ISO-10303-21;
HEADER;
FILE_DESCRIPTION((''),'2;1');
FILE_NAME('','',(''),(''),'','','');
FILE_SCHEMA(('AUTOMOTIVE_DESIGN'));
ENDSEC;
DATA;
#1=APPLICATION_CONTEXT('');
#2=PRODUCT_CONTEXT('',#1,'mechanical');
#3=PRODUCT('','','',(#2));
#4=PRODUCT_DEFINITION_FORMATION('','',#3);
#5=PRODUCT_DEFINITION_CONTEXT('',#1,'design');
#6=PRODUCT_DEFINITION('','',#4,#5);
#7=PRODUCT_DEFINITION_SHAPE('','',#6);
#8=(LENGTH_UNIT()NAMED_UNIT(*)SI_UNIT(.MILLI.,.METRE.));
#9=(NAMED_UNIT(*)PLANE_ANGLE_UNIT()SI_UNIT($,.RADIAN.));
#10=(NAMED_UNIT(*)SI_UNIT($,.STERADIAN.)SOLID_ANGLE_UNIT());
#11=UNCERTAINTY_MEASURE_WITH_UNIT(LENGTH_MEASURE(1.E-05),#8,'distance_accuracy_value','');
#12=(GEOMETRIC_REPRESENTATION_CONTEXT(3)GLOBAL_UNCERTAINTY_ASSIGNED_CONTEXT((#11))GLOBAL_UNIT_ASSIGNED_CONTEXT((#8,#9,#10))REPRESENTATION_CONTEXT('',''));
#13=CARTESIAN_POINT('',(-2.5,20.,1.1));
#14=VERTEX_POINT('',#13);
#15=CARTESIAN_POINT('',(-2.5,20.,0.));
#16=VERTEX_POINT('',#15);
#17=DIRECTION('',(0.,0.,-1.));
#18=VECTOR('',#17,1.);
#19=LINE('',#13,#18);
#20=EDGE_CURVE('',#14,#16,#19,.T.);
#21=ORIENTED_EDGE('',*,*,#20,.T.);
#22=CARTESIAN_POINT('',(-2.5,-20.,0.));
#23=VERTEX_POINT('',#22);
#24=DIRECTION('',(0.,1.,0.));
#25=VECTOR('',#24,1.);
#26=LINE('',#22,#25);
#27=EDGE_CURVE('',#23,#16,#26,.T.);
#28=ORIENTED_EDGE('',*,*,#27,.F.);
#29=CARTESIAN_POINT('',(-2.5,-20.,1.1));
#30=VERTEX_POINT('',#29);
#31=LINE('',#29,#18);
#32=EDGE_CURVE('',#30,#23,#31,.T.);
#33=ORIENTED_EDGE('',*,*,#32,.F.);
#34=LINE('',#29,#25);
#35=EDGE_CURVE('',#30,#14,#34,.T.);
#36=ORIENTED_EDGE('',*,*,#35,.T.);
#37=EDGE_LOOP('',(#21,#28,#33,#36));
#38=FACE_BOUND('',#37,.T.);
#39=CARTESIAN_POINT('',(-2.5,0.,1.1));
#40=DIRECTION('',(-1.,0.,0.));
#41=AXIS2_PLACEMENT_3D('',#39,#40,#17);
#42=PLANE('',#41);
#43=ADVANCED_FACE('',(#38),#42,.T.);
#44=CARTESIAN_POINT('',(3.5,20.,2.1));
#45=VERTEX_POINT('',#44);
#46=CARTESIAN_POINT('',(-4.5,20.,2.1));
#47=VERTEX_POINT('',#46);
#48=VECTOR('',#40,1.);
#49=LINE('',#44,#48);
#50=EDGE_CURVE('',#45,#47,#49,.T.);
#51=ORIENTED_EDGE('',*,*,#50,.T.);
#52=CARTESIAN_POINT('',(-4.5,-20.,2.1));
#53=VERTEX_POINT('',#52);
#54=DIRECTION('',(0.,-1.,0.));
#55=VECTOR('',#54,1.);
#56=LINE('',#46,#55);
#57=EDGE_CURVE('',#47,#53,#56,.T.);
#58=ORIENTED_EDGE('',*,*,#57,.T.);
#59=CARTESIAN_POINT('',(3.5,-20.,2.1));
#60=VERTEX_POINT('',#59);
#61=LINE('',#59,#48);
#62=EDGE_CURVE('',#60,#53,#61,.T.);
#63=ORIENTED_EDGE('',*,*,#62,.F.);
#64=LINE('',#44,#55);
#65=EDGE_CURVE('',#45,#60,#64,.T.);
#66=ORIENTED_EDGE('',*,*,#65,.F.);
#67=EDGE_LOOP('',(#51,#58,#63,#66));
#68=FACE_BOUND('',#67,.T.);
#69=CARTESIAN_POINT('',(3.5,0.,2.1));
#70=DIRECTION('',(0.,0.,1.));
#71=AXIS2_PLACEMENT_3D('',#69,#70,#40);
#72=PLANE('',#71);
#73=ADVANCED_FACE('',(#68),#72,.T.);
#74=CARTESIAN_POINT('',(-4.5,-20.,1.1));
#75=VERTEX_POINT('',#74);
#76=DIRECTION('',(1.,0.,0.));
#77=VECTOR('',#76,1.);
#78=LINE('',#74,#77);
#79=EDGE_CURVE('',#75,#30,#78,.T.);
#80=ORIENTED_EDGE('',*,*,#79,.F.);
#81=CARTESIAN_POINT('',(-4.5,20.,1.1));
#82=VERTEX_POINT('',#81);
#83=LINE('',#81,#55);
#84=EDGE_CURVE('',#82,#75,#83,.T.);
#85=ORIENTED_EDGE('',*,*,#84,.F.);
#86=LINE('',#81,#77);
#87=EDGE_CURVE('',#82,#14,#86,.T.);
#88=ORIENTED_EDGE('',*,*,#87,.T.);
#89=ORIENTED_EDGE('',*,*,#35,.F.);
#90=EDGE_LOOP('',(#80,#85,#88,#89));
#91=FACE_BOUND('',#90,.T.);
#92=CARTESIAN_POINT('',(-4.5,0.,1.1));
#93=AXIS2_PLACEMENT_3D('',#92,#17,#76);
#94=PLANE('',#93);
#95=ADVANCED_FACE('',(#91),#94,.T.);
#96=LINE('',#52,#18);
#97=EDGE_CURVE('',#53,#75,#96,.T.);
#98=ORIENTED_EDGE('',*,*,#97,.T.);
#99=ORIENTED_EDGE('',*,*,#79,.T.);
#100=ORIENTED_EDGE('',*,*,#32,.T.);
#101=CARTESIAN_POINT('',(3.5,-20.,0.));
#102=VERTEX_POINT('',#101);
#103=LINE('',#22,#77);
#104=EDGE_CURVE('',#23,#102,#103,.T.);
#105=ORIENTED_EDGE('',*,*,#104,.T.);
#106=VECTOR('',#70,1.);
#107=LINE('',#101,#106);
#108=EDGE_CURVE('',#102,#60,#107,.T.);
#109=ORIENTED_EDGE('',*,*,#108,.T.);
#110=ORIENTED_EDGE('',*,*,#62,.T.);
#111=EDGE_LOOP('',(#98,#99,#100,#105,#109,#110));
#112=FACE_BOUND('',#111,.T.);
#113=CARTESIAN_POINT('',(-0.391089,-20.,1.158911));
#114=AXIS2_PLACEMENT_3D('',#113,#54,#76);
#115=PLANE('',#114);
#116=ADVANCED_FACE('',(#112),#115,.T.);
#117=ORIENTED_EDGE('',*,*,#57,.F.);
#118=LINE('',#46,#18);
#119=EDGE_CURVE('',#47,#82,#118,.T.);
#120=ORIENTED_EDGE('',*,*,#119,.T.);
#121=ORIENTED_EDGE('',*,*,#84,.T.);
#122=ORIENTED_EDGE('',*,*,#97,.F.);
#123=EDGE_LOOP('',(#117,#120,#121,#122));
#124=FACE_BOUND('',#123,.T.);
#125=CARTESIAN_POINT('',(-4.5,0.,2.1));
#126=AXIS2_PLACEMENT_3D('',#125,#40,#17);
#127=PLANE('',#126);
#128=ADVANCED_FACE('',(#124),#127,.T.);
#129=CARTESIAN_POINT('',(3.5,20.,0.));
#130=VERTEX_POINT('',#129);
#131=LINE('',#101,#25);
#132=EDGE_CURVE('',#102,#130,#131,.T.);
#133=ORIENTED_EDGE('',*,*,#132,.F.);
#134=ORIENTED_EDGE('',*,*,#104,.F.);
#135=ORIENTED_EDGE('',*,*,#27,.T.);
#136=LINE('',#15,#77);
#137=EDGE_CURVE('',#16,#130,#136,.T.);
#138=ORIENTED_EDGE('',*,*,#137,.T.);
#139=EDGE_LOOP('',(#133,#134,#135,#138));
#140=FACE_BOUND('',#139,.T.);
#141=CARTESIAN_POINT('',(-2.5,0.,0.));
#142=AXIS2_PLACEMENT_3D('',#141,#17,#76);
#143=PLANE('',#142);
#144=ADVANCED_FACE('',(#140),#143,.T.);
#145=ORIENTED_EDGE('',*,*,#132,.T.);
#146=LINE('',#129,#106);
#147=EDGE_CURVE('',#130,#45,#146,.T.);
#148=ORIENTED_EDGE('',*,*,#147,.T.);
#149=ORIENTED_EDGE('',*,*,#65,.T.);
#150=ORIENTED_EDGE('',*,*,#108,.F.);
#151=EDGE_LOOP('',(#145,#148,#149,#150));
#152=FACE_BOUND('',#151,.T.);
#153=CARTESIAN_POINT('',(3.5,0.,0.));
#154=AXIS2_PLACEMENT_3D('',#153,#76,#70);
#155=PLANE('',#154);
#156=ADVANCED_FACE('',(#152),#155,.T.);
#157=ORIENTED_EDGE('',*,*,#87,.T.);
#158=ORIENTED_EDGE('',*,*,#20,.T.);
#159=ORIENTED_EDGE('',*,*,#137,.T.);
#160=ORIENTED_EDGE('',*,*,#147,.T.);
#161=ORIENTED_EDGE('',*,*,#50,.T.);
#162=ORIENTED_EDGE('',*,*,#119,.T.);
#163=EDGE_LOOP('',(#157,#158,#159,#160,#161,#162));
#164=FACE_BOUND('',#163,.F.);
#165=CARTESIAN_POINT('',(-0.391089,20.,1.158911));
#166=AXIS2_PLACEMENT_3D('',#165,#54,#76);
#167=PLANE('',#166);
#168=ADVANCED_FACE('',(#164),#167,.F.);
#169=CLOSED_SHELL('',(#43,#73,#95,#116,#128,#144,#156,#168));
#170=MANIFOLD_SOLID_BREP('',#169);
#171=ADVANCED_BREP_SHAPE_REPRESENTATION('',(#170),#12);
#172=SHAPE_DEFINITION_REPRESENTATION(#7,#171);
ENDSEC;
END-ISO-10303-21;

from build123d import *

# Parameters (mm, degrees)
F1_DEPTH = 20


with BuildPart() as f1:
    # F0 (on Front) → F1 (new body, symmetric)
    with BuildSketch(Plane.XZ):
        Polygon((3.5, 0), (3.5, 2.1), (-4.5, 2.1), (-4.5, 1.1), (-2.5, 1.1), (-2.5, 0), (0, 0), align=None)
    extrude(amount=F1_DEPTH, both=True)


solid = f1.part
